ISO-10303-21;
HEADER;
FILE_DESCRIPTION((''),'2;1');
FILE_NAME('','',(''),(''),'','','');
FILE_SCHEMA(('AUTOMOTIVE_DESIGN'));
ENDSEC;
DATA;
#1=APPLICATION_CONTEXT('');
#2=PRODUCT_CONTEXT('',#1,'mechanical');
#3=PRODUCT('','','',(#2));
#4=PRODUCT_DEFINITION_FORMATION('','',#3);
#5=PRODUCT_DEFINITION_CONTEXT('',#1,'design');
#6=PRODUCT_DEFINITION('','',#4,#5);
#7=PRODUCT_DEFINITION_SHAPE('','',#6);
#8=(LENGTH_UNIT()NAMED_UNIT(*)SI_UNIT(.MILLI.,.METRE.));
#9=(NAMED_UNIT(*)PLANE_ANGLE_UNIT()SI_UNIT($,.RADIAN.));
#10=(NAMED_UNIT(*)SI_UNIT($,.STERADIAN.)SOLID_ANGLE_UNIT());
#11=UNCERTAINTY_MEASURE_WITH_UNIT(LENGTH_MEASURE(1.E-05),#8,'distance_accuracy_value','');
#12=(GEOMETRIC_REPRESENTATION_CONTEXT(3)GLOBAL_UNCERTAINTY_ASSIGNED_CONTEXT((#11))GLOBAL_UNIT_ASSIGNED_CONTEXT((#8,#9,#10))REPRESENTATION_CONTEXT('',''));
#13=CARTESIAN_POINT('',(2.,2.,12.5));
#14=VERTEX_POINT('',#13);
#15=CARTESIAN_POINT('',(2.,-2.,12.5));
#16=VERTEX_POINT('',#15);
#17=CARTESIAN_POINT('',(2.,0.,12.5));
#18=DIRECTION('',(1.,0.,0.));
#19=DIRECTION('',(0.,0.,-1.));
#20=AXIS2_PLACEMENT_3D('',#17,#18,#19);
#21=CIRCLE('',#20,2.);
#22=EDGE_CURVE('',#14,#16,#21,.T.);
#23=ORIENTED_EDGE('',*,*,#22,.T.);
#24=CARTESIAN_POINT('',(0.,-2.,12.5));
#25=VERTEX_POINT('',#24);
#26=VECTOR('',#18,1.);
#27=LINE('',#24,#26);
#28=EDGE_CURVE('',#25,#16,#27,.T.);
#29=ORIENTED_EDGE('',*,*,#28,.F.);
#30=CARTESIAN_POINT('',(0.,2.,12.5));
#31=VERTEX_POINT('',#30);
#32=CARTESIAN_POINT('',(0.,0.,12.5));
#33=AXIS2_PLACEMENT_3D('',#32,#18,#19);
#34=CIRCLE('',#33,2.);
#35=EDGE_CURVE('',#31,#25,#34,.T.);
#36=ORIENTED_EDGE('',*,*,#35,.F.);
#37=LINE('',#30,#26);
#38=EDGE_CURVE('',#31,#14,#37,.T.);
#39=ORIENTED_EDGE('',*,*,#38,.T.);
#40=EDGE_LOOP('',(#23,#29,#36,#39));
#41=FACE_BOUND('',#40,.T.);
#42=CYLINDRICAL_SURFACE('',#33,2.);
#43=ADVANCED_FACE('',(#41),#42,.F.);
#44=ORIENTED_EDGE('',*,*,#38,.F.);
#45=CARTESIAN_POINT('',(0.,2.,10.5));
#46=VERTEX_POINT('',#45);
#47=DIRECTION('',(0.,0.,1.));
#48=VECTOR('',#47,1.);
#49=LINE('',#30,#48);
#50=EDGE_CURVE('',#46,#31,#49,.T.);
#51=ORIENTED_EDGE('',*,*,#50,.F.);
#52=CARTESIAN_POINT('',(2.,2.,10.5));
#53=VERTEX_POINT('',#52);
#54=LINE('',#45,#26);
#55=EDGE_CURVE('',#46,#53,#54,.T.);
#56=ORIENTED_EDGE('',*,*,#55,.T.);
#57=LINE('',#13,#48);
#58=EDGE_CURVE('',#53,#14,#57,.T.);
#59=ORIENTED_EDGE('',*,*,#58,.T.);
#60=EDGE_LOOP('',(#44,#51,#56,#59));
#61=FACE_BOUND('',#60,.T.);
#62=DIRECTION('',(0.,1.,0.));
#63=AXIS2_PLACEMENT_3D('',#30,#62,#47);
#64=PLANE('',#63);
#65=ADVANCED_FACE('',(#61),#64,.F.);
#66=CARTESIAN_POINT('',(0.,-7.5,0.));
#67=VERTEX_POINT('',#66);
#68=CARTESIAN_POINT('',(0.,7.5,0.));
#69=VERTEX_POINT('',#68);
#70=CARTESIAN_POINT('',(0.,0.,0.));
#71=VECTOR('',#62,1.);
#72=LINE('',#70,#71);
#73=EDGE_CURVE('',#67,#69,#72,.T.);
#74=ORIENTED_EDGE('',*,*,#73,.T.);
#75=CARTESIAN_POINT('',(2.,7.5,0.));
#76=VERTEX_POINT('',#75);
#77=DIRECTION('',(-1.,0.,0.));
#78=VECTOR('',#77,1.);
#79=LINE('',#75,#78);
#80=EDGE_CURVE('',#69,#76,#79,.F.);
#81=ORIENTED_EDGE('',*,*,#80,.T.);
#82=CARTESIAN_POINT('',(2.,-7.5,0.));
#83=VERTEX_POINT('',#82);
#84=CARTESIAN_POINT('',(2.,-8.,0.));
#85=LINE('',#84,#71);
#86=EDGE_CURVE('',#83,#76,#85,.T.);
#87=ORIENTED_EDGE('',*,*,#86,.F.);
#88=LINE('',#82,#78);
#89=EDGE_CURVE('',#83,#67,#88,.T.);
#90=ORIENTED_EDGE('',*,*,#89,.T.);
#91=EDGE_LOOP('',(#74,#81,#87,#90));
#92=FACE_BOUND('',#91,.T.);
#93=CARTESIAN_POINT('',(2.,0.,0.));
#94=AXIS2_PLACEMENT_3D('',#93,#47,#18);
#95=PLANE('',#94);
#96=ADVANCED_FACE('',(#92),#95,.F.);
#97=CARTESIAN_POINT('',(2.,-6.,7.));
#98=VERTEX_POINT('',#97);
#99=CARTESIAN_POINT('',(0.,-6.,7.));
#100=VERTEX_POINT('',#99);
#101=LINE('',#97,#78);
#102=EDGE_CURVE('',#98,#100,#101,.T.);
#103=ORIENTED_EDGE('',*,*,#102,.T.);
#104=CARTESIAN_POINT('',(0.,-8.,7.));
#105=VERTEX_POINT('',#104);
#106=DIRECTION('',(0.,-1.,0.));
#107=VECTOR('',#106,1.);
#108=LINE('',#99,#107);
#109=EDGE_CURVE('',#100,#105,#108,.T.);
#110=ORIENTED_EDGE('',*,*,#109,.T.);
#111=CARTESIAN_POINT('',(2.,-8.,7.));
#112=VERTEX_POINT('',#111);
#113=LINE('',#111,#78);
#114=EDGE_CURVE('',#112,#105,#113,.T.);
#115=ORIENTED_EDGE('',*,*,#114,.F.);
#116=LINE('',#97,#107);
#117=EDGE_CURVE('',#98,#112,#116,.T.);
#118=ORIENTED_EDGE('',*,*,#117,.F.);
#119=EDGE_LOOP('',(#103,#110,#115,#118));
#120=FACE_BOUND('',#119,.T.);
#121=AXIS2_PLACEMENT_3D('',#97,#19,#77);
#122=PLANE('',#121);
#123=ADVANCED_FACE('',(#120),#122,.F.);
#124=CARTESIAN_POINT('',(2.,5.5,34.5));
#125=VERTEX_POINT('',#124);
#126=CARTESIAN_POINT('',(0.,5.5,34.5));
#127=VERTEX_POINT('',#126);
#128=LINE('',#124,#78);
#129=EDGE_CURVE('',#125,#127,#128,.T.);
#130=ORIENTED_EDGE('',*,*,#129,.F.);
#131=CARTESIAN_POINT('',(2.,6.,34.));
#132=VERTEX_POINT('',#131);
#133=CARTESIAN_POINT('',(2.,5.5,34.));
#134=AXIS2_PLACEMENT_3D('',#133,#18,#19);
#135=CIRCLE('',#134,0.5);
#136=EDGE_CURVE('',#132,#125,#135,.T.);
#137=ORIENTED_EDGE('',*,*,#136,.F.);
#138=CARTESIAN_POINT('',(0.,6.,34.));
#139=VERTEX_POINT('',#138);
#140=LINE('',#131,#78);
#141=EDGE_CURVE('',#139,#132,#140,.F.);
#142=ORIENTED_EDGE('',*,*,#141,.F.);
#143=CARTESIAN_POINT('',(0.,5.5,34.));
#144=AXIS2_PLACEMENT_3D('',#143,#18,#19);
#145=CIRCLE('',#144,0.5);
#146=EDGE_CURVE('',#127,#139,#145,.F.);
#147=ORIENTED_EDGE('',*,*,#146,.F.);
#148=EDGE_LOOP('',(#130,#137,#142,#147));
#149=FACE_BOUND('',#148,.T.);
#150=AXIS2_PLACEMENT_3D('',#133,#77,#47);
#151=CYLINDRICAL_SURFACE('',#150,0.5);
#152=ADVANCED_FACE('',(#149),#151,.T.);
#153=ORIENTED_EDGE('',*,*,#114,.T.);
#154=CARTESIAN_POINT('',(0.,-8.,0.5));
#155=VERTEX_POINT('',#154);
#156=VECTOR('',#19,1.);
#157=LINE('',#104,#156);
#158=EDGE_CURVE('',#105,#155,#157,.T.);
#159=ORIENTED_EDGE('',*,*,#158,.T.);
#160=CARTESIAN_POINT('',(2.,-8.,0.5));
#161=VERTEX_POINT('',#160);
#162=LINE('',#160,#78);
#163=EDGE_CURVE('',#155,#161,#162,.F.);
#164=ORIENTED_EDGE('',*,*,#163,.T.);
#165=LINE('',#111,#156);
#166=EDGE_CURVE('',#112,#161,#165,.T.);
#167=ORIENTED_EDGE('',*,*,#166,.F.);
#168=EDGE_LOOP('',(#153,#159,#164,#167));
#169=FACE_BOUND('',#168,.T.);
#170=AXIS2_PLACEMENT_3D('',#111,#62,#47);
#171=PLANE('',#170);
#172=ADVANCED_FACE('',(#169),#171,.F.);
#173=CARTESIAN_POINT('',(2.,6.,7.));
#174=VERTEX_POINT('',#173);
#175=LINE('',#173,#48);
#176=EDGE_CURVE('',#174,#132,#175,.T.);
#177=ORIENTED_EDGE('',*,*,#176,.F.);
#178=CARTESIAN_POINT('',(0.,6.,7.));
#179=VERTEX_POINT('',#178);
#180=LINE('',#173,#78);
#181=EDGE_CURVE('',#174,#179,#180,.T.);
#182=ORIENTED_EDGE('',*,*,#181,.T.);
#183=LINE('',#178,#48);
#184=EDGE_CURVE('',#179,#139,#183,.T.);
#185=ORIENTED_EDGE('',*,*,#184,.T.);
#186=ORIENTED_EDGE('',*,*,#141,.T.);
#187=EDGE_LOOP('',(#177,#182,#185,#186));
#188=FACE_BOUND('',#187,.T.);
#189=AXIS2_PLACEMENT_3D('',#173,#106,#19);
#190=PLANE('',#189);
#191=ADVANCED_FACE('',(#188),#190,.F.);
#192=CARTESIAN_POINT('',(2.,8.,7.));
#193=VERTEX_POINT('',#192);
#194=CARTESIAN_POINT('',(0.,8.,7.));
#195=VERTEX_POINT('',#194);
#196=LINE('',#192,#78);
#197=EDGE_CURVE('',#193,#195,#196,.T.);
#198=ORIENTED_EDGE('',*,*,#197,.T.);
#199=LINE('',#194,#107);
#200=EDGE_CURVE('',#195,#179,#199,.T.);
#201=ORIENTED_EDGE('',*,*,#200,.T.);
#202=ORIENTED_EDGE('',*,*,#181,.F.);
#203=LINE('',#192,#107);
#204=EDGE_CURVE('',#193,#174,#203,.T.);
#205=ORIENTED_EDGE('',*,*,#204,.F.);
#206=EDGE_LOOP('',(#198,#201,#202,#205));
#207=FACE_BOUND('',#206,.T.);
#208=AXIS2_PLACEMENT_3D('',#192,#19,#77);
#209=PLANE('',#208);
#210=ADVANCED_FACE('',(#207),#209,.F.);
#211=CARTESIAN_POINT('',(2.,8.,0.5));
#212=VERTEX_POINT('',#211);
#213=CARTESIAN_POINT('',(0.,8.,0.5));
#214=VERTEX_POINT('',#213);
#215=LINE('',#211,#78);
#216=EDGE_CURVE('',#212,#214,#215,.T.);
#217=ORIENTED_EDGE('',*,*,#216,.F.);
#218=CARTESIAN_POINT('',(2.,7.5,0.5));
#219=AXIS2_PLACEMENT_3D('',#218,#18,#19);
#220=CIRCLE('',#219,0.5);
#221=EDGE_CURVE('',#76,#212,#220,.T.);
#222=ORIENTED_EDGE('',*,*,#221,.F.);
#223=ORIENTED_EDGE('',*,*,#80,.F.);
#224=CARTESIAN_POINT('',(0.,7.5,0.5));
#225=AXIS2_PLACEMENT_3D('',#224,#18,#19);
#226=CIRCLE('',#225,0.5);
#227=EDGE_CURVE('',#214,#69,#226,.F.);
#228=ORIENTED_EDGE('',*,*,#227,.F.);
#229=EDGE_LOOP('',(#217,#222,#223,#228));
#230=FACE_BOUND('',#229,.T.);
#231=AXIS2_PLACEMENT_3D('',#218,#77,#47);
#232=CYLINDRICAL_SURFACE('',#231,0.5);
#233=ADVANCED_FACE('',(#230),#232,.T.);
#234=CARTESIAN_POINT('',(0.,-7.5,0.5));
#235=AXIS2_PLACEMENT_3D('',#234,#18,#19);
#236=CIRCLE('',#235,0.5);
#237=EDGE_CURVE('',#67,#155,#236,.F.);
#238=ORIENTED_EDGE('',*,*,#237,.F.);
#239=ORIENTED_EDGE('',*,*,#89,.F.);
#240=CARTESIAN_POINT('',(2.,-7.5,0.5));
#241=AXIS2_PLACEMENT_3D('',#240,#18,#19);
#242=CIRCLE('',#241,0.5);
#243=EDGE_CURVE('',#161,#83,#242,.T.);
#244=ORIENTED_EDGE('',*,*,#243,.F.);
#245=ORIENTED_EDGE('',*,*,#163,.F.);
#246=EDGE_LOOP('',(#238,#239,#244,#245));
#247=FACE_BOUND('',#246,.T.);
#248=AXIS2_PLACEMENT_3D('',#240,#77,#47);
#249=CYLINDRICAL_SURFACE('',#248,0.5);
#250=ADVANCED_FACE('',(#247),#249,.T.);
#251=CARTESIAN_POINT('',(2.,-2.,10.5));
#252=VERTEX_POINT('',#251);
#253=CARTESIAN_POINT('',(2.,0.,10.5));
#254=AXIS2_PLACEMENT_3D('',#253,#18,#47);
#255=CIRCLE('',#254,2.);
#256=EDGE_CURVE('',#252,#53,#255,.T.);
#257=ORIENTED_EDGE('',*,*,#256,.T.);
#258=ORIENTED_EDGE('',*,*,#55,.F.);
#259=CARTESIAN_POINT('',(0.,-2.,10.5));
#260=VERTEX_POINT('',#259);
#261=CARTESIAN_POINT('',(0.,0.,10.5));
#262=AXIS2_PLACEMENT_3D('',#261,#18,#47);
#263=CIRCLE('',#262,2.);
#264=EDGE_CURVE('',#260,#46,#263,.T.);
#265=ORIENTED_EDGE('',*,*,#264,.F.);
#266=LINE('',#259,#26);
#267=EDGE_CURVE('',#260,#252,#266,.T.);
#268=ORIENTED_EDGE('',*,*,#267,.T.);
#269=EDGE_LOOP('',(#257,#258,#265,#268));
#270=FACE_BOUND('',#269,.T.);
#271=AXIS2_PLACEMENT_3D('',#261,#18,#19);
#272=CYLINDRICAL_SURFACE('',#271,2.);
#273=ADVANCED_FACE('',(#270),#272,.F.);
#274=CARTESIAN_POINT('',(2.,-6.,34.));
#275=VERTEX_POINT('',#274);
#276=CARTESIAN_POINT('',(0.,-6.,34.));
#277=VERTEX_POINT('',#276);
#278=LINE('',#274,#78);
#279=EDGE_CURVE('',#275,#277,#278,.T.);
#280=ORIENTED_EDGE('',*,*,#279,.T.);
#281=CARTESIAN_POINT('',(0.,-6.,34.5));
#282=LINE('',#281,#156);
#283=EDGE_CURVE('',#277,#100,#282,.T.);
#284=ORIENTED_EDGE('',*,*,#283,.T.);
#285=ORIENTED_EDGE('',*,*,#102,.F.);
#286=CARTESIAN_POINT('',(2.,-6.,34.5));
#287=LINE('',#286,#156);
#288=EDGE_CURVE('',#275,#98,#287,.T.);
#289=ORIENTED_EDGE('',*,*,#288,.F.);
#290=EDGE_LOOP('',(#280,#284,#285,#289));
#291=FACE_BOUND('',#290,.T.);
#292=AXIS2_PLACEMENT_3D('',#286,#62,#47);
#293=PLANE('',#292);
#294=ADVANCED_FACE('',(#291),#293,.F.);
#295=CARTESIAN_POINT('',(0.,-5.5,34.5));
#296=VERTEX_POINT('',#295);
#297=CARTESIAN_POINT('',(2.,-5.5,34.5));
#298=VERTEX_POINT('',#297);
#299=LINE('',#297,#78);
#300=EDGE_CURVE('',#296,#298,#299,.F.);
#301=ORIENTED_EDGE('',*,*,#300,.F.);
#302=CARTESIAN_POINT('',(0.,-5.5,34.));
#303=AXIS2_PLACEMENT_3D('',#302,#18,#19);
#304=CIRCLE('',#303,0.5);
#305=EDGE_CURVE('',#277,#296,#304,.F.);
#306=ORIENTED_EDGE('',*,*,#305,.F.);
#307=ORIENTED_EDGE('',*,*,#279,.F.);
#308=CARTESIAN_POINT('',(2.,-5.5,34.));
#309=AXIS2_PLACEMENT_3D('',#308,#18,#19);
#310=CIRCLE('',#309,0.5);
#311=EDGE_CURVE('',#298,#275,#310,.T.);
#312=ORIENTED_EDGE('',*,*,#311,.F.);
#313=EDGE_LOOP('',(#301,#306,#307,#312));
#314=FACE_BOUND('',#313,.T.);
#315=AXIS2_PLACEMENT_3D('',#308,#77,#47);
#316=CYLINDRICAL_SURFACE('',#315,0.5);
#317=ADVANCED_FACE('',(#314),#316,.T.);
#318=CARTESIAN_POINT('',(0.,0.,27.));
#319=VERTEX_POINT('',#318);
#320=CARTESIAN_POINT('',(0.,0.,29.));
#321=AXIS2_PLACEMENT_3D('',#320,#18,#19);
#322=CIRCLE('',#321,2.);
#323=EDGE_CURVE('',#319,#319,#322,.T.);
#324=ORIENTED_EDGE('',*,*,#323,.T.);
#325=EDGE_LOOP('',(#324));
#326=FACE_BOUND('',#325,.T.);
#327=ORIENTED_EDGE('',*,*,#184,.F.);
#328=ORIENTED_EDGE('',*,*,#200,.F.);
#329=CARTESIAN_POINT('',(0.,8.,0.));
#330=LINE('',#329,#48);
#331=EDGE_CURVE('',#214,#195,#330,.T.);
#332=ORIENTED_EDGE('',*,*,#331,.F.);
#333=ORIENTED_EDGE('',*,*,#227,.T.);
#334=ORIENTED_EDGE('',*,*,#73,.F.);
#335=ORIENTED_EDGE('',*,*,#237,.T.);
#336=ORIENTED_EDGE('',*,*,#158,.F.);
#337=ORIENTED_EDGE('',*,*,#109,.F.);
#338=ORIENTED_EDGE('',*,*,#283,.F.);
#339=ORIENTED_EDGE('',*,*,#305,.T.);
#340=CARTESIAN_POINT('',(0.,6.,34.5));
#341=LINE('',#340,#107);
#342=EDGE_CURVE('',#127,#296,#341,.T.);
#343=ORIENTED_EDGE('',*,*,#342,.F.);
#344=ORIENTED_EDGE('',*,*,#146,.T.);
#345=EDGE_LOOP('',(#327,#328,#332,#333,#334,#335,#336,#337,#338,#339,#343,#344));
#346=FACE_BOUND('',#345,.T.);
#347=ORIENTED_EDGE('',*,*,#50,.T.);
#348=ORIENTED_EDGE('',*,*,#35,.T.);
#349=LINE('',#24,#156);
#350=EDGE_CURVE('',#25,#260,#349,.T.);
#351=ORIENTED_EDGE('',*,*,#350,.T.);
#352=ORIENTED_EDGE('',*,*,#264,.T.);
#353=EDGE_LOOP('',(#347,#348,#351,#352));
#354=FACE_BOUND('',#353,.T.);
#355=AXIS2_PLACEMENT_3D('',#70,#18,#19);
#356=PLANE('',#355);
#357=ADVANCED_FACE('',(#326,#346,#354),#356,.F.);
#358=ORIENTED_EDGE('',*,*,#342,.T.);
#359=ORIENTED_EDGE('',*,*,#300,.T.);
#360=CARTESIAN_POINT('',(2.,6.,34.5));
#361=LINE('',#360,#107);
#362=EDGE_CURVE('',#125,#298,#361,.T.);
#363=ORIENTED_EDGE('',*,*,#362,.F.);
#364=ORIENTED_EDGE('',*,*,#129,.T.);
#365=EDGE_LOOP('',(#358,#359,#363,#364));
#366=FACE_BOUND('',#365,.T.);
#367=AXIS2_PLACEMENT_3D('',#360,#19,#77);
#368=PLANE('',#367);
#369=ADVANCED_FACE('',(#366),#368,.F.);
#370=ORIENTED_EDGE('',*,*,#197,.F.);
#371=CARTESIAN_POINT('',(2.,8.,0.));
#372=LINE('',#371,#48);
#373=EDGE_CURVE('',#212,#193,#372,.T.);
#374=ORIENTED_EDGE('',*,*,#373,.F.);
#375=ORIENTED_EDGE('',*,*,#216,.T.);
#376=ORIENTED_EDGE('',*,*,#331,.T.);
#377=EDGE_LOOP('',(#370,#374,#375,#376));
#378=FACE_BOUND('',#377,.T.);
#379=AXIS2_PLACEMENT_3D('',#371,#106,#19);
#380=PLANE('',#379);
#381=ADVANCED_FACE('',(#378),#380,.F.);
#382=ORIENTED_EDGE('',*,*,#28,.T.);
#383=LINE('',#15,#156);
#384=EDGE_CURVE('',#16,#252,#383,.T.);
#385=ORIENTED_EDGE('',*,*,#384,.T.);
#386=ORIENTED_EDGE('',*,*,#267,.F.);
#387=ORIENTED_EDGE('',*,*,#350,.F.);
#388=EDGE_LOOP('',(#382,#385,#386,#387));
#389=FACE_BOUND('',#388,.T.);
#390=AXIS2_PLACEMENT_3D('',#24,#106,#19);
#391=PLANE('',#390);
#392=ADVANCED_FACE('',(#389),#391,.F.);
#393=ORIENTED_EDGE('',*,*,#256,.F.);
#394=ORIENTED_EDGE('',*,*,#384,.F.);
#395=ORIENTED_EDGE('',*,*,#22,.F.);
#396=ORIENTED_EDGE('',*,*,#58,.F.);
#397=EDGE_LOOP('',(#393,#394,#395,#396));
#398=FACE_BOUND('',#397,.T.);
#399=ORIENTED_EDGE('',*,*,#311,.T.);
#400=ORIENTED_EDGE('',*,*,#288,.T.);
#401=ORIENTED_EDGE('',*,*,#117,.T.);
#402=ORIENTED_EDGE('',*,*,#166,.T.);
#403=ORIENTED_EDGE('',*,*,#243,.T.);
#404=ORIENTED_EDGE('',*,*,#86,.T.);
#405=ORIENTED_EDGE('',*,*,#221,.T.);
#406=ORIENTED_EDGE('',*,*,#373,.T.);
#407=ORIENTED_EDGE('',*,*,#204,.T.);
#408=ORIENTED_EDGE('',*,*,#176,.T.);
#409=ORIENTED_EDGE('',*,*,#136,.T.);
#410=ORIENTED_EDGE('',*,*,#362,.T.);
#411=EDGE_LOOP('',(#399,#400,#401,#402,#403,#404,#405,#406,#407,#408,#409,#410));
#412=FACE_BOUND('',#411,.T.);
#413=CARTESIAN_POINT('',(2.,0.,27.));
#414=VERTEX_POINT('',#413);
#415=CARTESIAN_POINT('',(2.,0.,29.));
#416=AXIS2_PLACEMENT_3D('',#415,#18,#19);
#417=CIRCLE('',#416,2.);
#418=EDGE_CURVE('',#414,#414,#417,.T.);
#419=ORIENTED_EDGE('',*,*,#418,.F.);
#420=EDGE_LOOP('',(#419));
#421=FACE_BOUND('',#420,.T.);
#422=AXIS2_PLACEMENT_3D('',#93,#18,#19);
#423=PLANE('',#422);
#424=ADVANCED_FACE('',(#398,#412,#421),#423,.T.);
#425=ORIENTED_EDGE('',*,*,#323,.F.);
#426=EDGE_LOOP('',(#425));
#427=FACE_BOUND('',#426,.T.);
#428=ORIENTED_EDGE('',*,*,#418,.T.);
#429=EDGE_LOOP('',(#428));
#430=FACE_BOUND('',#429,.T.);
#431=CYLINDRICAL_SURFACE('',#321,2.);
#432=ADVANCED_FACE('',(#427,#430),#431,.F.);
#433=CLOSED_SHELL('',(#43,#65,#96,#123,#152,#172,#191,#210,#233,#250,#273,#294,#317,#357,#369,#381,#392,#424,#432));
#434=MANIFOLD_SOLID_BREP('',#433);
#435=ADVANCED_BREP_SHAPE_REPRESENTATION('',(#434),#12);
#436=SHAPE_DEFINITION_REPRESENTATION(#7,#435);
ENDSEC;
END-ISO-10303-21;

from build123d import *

# Parameters (mm, degrees)
BOSS_EXTRUDE1_DEPTH = 2
FILLET1_R           = 0.5
SKETCH2_R           = 2
CUT_EXTRUDE1_DEPTH  = 2


with BuildPart() as part:
    # Sketch1 → Boss-Extrude1 (new body)
    with BuildSketch(Plane.YZ):
        Polygon((0, 0), (8, 0), (8, 7), (6, 7), (6, 34.5), (-6, 34.5), (-6, 7), (-8, 7), (-8, 0), align=None)
    extrude(amount=BOSS_EXTRUDE1_DEPTH)

    # Fillet1
    fillet1_edges = [part.edges().sort_by_distance(p)[0] for p in [
        (1, 6, 34.5),
        (1, 8, 0),
        (1, -8, 0),
        (1, -6, 34.5),
    ]]
    fillet(fillet1_edges, radius=FILLET1_R)

    # Sketch2 → Cut-Extrude1 (cut)
    with BuildSketch(Plane.YZ.offset(2)):
        with Locations(Location((0, 29, 0), (0, 0, 270))):
            Circle(SKETCH2_R)
        with BuildLine():
            Line((-2, 12.5), (-2, 10.5))
            ThreePointArc((-2, 10.5), (0, 8.5), (2, 10.5))
            Line((2, 10.5), (2, 12.5))
            ThreePointArc((2, 12.5), (0, 14.5), (-2, 12.5))
        make_face()
    extrude(amount=-CUT_EXTRUDE1_DEPTH, mode=Mode.SUBTRACT)


solid = part.part
